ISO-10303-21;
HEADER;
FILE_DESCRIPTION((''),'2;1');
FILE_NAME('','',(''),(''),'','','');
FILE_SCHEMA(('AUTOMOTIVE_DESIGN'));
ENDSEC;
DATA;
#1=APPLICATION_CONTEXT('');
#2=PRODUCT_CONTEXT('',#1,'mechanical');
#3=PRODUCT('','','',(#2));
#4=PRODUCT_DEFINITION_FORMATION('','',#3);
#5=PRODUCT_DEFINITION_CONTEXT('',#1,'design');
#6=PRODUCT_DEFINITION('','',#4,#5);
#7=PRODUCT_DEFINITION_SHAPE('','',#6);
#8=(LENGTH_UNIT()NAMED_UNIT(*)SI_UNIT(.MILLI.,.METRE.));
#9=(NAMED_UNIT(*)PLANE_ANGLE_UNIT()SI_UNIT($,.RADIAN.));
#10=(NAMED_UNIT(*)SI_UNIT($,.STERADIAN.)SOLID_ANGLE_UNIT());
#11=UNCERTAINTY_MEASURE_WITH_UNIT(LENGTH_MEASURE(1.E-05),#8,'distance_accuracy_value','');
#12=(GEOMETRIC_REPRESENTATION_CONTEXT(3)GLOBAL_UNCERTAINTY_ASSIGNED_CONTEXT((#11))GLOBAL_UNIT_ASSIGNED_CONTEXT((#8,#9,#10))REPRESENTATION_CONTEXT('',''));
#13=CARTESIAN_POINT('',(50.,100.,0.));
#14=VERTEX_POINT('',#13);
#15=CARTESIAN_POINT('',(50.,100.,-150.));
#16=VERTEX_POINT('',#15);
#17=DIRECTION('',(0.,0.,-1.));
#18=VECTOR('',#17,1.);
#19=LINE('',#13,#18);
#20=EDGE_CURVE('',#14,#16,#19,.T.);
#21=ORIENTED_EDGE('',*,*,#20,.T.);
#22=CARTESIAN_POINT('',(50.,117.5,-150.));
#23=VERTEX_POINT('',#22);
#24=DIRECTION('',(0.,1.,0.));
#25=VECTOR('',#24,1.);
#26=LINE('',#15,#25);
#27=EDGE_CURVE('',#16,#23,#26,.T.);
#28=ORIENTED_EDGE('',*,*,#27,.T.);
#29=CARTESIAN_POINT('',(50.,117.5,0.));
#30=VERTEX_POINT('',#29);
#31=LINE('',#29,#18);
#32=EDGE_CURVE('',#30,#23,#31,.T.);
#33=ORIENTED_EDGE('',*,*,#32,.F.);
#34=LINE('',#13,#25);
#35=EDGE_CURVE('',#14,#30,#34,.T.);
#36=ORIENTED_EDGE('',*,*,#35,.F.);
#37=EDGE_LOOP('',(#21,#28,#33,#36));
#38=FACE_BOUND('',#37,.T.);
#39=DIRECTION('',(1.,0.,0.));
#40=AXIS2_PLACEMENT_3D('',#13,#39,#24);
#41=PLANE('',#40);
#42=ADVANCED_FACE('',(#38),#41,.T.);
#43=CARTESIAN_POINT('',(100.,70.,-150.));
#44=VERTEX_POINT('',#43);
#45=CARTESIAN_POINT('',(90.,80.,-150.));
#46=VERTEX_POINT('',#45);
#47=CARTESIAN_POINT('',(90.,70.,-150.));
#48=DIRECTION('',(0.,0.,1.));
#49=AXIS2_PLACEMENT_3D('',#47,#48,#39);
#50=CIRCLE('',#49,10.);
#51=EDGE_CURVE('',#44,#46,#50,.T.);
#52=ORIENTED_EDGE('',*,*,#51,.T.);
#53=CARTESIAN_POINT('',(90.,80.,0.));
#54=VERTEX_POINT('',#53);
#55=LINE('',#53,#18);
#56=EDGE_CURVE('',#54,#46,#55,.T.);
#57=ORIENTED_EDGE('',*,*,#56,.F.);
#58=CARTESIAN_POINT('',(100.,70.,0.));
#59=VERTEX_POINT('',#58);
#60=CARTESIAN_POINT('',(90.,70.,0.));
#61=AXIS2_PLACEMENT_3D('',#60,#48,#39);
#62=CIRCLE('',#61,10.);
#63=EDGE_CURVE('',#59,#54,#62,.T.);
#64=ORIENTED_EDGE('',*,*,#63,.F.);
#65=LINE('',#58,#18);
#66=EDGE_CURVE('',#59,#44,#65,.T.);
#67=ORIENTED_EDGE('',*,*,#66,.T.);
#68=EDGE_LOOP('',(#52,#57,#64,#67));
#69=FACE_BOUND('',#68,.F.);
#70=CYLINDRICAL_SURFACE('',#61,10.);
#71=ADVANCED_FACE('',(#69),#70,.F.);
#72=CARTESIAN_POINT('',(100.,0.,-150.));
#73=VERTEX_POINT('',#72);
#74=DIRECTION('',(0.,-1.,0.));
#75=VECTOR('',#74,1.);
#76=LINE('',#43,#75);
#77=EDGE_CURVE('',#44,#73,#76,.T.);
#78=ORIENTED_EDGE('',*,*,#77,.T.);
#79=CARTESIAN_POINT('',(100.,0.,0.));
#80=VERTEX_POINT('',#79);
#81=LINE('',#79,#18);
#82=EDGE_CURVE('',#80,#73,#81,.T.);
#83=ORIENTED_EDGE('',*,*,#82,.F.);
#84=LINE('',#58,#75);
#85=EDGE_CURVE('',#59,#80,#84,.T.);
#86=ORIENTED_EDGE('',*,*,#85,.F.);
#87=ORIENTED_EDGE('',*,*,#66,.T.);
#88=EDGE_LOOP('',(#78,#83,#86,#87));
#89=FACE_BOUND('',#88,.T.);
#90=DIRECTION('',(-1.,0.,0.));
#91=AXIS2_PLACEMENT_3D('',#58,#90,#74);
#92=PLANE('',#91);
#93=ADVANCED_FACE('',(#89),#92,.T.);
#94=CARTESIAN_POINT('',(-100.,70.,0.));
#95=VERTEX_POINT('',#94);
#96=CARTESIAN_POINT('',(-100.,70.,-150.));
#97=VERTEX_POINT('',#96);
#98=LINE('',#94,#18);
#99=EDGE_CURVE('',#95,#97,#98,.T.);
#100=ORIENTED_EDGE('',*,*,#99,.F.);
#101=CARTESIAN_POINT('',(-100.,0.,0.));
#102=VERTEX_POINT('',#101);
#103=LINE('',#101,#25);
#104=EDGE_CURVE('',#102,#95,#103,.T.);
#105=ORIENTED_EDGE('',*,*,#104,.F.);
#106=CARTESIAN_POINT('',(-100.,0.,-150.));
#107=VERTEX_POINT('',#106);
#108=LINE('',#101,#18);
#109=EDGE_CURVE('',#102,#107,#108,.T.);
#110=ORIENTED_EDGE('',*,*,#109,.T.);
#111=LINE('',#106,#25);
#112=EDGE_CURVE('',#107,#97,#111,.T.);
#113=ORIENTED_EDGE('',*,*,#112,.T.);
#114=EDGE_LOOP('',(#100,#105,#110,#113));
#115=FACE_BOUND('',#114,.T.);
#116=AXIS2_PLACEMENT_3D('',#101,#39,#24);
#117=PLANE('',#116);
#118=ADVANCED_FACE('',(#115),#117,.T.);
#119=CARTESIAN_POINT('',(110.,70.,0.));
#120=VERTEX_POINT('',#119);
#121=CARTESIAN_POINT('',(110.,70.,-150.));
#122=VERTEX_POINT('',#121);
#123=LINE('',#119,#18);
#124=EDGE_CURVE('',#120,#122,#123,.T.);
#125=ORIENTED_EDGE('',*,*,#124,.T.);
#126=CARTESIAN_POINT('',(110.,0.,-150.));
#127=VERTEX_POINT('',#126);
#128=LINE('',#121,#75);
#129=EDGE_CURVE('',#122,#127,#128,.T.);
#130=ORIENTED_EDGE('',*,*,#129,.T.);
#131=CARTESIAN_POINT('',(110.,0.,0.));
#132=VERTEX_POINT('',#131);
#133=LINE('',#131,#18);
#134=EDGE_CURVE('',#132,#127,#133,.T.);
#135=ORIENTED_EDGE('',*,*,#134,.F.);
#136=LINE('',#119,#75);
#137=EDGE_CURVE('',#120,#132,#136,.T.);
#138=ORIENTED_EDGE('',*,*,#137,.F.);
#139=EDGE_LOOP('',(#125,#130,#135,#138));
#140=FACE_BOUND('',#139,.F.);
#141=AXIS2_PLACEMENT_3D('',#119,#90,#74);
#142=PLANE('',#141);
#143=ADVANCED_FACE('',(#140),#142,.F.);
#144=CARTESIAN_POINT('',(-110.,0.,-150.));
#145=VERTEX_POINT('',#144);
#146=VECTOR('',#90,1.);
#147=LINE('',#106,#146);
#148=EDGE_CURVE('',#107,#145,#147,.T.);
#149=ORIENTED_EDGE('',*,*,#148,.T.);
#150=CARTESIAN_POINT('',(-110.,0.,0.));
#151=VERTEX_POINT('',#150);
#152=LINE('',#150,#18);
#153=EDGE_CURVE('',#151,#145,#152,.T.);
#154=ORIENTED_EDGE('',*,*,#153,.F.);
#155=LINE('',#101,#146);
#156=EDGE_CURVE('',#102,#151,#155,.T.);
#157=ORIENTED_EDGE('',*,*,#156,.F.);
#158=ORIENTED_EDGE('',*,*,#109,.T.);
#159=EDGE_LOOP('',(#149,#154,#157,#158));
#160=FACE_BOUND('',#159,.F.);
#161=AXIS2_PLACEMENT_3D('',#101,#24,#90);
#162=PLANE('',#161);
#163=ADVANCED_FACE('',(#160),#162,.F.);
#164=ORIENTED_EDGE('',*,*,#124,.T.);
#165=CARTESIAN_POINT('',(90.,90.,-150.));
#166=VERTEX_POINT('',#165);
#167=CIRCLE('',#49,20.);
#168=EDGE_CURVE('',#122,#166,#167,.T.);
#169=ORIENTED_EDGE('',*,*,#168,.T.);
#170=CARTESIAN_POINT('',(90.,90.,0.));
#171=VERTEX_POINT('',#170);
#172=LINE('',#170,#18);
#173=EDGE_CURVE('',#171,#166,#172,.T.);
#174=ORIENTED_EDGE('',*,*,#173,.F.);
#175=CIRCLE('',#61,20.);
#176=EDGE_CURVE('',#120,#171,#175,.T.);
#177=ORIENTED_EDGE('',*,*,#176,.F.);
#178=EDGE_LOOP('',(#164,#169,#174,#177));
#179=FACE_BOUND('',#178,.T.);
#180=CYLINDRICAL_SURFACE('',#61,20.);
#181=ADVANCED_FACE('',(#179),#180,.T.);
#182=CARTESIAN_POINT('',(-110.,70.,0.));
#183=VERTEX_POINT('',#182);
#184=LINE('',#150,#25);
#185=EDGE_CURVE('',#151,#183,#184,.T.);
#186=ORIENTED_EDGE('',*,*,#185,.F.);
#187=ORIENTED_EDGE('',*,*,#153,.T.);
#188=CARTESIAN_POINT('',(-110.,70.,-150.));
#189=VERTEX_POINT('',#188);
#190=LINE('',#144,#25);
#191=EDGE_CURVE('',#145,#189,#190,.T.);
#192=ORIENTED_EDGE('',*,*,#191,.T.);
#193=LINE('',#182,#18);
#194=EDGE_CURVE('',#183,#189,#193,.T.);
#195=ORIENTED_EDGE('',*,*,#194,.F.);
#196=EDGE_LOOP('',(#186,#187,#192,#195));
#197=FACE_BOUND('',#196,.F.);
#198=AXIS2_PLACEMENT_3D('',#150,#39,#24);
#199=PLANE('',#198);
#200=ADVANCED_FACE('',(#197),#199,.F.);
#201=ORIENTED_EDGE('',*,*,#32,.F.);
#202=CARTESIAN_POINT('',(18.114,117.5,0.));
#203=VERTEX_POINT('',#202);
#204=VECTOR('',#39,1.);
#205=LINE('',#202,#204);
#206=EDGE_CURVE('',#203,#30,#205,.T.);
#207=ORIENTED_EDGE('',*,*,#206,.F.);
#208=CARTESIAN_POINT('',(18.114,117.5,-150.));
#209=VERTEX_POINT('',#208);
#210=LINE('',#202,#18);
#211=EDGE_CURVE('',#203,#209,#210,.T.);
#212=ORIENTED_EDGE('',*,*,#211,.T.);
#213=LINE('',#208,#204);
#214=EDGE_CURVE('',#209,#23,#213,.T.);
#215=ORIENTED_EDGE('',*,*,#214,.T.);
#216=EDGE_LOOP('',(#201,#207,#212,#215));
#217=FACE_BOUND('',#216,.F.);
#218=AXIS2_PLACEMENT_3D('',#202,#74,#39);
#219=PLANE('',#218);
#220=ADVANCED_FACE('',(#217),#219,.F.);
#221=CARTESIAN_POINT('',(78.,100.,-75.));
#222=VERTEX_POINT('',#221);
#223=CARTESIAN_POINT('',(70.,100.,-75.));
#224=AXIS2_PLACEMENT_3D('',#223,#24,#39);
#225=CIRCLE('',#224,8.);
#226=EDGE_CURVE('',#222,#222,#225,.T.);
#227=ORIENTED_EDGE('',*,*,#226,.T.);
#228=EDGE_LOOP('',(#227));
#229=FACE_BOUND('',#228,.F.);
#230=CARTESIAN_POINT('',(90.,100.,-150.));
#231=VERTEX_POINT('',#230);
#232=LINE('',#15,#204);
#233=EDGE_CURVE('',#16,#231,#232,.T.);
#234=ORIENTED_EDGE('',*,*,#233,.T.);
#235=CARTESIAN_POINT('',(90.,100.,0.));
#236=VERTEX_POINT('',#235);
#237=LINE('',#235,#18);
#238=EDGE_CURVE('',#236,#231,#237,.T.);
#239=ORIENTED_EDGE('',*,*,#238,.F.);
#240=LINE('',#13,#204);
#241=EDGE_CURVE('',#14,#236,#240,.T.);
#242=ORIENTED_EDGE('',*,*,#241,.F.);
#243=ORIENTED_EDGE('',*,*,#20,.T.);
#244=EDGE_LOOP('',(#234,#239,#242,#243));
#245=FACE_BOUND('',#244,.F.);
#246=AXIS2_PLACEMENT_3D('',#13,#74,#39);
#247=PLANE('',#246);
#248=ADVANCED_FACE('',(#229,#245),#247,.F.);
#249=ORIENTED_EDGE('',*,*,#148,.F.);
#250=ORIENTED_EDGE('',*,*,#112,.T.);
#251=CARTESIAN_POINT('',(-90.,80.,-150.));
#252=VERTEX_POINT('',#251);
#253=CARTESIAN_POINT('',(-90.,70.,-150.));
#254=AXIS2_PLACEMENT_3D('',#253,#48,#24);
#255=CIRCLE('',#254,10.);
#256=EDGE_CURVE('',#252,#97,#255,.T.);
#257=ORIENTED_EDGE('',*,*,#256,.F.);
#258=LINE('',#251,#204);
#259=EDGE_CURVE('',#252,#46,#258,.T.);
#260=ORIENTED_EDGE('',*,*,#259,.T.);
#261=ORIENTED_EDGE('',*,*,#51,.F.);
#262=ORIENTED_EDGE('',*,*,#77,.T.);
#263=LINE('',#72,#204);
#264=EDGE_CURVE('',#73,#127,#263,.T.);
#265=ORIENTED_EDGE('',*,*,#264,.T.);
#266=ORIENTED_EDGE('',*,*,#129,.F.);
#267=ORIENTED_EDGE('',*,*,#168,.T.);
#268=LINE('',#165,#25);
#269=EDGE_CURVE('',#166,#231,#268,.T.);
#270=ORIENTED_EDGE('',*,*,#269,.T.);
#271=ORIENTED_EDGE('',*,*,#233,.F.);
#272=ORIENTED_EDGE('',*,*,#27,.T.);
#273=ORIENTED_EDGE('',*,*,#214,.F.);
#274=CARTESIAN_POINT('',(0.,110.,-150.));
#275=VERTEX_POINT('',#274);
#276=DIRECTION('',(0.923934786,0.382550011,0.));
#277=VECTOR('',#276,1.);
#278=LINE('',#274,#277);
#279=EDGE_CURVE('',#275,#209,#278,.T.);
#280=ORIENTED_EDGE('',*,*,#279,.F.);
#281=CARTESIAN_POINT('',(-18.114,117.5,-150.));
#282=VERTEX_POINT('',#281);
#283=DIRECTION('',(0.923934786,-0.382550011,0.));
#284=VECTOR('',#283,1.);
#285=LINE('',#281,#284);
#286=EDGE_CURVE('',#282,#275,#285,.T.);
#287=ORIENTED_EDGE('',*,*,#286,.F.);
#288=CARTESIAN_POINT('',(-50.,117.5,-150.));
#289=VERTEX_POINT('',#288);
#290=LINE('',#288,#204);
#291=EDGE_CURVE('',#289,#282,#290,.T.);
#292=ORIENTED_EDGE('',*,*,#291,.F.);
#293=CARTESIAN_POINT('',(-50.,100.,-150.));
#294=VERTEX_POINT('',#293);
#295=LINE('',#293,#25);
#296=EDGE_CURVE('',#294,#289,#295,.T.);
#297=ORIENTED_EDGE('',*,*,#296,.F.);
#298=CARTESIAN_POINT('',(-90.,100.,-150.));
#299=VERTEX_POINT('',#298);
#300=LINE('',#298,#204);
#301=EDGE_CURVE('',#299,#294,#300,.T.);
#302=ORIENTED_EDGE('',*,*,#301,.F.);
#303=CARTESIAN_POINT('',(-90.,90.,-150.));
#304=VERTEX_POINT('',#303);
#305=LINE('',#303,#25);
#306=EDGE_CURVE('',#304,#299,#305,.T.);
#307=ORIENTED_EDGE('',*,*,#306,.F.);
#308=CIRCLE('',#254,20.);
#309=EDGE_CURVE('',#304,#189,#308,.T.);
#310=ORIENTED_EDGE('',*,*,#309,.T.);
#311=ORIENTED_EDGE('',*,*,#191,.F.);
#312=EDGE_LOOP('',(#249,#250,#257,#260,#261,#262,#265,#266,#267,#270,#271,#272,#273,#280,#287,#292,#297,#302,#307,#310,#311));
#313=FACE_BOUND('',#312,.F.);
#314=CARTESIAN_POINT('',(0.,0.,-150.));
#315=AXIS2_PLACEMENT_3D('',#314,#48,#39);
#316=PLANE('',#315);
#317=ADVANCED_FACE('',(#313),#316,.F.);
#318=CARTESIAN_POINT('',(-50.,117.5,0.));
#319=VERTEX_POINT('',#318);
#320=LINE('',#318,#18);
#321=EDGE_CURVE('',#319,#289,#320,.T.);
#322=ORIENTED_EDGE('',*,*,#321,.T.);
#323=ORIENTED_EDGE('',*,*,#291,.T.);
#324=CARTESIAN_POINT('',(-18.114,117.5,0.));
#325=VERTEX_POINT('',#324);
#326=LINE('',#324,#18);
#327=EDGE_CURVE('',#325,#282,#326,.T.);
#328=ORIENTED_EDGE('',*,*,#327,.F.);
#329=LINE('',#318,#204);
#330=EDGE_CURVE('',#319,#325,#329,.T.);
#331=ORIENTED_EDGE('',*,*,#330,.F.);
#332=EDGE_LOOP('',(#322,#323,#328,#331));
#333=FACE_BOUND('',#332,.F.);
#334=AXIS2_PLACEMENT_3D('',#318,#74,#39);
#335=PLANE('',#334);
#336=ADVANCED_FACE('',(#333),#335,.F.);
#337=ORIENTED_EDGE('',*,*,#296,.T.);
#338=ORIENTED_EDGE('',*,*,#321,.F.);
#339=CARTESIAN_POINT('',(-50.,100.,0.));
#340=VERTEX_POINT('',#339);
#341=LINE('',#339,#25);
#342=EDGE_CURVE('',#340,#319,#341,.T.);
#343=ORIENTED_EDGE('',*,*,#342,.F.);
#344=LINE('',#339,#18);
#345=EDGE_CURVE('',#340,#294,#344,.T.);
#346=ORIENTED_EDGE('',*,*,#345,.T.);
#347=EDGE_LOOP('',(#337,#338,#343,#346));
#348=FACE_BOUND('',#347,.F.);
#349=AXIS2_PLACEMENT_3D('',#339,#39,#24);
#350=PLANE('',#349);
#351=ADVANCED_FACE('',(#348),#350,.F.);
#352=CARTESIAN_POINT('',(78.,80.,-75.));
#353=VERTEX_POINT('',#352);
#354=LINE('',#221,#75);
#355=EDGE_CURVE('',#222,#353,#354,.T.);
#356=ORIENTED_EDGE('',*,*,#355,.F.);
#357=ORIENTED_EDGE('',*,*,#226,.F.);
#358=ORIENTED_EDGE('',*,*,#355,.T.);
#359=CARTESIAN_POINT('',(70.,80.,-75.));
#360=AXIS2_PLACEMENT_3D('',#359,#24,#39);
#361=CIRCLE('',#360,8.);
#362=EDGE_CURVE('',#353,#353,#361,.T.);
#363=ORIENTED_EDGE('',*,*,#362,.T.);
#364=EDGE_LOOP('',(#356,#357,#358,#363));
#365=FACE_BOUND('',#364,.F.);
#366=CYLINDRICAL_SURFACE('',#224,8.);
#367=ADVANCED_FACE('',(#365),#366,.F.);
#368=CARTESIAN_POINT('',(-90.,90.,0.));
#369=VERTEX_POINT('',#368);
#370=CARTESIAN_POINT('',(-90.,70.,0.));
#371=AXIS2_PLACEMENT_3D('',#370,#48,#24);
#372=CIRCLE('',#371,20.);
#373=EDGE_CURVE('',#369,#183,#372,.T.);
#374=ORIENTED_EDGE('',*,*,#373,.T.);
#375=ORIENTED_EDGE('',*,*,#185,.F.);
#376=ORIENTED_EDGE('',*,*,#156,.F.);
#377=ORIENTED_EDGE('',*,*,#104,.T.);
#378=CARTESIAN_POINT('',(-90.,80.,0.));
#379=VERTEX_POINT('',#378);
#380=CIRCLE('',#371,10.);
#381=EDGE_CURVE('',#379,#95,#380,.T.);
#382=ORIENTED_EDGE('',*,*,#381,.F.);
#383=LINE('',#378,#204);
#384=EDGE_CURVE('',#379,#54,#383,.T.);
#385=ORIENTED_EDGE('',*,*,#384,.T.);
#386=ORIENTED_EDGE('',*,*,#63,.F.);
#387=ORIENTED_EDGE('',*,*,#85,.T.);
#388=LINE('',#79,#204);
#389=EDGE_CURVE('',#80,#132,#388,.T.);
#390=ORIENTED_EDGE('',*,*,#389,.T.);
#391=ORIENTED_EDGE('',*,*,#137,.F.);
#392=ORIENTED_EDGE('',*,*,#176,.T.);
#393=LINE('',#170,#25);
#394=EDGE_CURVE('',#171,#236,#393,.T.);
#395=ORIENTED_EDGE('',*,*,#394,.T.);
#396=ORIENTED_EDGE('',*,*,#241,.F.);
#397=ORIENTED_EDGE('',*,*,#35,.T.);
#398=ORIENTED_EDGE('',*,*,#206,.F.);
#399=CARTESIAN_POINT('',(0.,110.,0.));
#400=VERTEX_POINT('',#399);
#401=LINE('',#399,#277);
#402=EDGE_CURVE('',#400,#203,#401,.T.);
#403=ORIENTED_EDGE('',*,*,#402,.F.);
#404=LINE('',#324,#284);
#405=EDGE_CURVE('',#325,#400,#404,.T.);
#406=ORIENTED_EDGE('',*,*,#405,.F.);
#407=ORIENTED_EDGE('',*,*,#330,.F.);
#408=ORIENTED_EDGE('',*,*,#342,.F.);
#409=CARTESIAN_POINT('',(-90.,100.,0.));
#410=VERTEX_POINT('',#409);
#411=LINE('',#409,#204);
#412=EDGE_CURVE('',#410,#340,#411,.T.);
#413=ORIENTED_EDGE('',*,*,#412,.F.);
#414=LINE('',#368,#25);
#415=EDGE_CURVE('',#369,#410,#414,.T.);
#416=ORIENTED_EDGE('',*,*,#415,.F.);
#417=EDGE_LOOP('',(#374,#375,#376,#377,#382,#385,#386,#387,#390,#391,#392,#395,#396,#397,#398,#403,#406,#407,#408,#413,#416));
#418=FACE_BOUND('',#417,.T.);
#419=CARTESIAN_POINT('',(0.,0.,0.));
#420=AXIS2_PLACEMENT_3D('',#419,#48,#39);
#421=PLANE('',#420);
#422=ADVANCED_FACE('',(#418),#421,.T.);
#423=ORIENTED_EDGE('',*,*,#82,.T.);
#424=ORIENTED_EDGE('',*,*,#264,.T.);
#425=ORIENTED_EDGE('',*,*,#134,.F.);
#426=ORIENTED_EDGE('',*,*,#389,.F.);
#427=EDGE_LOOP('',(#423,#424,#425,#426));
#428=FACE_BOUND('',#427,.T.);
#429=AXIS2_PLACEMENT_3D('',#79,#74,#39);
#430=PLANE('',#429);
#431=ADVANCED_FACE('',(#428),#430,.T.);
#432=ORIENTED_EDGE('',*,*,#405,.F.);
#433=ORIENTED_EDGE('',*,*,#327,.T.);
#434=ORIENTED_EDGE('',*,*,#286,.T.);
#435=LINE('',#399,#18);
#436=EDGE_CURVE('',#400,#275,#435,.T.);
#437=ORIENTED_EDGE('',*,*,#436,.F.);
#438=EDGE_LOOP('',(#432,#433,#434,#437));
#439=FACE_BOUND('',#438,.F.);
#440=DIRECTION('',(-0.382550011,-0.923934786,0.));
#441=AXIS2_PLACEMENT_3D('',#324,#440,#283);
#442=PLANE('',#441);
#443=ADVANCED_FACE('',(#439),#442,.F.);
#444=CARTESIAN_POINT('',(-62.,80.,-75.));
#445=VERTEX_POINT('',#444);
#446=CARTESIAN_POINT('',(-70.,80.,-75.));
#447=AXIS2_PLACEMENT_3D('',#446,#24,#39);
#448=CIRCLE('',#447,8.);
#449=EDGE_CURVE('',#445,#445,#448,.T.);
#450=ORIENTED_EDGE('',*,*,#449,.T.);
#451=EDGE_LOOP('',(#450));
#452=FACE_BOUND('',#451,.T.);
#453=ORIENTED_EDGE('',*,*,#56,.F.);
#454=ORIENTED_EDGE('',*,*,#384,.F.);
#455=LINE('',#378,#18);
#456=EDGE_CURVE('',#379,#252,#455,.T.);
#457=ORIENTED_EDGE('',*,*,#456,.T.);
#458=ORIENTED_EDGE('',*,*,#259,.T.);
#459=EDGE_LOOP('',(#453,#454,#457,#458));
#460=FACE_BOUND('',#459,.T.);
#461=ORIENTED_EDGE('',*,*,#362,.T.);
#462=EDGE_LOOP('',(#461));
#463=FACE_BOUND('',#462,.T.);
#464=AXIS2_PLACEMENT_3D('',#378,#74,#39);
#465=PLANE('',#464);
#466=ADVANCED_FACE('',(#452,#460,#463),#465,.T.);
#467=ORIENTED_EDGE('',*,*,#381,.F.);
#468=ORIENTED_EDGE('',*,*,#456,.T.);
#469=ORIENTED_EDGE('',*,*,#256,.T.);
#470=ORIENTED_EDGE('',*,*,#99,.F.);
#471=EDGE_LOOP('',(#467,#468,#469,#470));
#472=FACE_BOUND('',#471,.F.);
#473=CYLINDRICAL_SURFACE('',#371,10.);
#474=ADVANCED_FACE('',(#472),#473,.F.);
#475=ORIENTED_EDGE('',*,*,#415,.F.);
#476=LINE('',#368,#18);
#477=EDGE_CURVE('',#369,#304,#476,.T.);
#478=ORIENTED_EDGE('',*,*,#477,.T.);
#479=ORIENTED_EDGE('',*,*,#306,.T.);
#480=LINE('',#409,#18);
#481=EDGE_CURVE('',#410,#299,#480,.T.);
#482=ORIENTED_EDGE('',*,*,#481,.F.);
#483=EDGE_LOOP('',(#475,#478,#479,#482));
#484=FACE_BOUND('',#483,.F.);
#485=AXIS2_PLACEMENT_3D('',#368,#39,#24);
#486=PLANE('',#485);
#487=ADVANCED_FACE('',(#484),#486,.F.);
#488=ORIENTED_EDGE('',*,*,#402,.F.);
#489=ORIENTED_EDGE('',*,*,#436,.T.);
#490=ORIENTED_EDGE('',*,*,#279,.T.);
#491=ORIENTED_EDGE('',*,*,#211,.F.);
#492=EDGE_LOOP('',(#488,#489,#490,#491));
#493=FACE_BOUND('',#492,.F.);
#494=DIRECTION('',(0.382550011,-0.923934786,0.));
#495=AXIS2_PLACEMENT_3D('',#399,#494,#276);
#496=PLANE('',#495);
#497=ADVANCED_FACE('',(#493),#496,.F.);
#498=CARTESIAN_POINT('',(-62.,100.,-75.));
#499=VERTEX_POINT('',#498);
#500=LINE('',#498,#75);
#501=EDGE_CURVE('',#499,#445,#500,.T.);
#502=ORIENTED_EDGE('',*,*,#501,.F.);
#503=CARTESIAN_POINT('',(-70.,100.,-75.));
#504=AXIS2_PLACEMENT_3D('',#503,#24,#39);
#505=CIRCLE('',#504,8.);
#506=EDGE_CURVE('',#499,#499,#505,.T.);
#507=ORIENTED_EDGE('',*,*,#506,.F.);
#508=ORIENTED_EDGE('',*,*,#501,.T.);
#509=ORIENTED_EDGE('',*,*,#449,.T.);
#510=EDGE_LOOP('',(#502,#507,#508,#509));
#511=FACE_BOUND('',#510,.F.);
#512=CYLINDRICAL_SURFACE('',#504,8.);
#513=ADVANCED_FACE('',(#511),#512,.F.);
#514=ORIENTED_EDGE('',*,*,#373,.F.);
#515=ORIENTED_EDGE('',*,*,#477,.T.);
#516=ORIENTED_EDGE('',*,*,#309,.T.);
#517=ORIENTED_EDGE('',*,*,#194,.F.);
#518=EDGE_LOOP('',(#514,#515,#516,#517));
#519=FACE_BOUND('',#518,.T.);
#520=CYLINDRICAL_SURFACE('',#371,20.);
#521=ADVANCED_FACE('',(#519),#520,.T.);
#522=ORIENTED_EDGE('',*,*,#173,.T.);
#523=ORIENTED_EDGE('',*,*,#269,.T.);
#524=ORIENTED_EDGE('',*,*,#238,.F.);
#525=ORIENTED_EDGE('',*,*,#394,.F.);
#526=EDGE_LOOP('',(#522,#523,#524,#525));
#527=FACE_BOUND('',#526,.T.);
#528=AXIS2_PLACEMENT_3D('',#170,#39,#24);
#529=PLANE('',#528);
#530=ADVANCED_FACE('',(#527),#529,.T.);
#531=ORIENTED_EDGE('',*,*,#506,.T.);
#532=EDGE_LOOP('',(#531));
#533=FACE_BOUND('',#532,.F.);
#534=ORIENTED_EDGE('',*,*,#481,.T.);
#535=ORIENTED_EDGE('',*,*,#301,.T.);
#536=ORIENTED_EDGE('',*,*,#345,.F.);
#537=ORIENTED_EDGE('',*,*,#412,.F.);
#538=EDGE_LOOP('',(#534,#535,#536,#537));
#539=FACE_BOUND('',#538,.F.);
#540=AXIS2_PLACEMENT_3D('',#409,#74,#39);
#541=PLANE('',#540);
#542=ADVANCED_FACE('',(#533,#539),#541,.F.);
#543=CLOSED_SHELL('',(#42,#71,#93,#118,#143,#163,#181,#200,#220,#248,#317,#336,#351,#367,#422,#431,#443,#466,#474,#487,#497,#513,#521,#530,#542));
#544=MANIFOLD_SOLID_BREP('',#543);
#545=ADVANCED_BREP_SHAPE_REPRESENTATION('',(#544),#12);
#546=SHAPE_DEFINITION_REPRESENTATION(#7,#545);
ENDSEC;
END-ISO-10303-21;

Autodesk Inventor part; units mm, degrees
ref_plane "YZ Plane" through (0, 0, 0) normal (1, 0, 0) x (0, 1, 0)
ref_plane "XZ Plane" through (0, 0, 0) normal (0, 1, 0) x (-1, 0, 0)
ref_plane "XY Plane" through (0, 0, 0) normal (0, 0, 1) x (1, 0, 0)
sketch "Sketch1" plane through (0, 0, 0) normal (0, 0, 1) x (1, 0, 0)
  line L0 (-100, 0) -> (-100, 70)
  line L1 (-90, 80) -> (90, 80)
  line L2 (100, 70) -> (100, 0)
  arc A0 (-90, 80) -> (-100, 70) centre (-90, 70) ccw
  arc A1 (100, 70) -> (90, 80) centre (90, 70) ccw
  line L3 (-110, 0) -> (-110, 70)
  arc A2 (-90, 90) -> (-110, 70) centre (-90, 70) ccw
  arc A3 (110, 70) -> (90, 90) centre (90, 70) ccw
  line L4 (110, 70) -> (110, 0)
  line L5 (100, 0) -> (110, 0)
  line L6 (-100, 0) -> (-110, 0)
  line L7 (-90, 90) -> (-90, 100)
  line L8 (90, 90) -> (90, 100)
  line L9 (-50, 100) -> (-50, 117.5)
  line L10 (50, 100) -> (50, 117.5)
  line L11 (-18.114, 117.5) -> (0, 110)
  line L12 (0, 110) -> (18.114, 117.5)
  line L13 (-50, 117.5) -> (-18.114, 117.5)
  line L14 (18.114, 117.5) -> (50, 117.5)
  line L15 (-90, 100) -> (-50, 100)
  line L16 (50, 100) -> (90, 100)
  point P0 (0, 0)
  dimension "d0" = 100
  dimension "d1" = 100
  dimension "d2" = 80
  dimension "d4" = 10
  dimension "d5" = 10
  dimension "d24" = 10
  dimension "d25" = 50
  dimension "d26" = 50
  dimension "d31" = 31.886
  dimension "d33" = 50
  dimension "d37" = 10
  dimension "d38" = 20
  dimension "d39" = 20
  dimension "d40" = 17.5
  dimension "d41" = 17.5
extrude "Extrusion1" add sketch "Sketch1" against normal blind 150
sketch "Sketch4" plane through (-90, 100, 0) normal (0, 1, 0) x (1, 0, 0)
  circle A0 centre (20, 75) radius 8
  circle A1 centre (160, 75) radius 8
  line L0 (0, 0) -> (0, 150) projected
  line L1 (40, 0) -> (0, 0) projected
  line L2 (180, 0) -> (180, 150) projected
  line L3 (180, 0) -> (140, 0) projected
  point P0 (90, 0)
  dimension "d42" = 16
  dimension "d43" = 20
  dimension "d44" = 20
  dimension "d45" = 75
  dimension "d46" = 75
extrude "Extrusion4" cut sketch "Sketch4" against normal blind 50
equation "\"d26\" = d25"
equation "\"d33\" = d25"
equation "\"d39\" = d38"
equation "\"d41\" = d40"
equation "\"d44\" = d43"
equation "\"d46\" = d45"
equation "\"d36\" = d34"
equation "\"d34\" = 75"
properties part number "Base soporte tubos"
